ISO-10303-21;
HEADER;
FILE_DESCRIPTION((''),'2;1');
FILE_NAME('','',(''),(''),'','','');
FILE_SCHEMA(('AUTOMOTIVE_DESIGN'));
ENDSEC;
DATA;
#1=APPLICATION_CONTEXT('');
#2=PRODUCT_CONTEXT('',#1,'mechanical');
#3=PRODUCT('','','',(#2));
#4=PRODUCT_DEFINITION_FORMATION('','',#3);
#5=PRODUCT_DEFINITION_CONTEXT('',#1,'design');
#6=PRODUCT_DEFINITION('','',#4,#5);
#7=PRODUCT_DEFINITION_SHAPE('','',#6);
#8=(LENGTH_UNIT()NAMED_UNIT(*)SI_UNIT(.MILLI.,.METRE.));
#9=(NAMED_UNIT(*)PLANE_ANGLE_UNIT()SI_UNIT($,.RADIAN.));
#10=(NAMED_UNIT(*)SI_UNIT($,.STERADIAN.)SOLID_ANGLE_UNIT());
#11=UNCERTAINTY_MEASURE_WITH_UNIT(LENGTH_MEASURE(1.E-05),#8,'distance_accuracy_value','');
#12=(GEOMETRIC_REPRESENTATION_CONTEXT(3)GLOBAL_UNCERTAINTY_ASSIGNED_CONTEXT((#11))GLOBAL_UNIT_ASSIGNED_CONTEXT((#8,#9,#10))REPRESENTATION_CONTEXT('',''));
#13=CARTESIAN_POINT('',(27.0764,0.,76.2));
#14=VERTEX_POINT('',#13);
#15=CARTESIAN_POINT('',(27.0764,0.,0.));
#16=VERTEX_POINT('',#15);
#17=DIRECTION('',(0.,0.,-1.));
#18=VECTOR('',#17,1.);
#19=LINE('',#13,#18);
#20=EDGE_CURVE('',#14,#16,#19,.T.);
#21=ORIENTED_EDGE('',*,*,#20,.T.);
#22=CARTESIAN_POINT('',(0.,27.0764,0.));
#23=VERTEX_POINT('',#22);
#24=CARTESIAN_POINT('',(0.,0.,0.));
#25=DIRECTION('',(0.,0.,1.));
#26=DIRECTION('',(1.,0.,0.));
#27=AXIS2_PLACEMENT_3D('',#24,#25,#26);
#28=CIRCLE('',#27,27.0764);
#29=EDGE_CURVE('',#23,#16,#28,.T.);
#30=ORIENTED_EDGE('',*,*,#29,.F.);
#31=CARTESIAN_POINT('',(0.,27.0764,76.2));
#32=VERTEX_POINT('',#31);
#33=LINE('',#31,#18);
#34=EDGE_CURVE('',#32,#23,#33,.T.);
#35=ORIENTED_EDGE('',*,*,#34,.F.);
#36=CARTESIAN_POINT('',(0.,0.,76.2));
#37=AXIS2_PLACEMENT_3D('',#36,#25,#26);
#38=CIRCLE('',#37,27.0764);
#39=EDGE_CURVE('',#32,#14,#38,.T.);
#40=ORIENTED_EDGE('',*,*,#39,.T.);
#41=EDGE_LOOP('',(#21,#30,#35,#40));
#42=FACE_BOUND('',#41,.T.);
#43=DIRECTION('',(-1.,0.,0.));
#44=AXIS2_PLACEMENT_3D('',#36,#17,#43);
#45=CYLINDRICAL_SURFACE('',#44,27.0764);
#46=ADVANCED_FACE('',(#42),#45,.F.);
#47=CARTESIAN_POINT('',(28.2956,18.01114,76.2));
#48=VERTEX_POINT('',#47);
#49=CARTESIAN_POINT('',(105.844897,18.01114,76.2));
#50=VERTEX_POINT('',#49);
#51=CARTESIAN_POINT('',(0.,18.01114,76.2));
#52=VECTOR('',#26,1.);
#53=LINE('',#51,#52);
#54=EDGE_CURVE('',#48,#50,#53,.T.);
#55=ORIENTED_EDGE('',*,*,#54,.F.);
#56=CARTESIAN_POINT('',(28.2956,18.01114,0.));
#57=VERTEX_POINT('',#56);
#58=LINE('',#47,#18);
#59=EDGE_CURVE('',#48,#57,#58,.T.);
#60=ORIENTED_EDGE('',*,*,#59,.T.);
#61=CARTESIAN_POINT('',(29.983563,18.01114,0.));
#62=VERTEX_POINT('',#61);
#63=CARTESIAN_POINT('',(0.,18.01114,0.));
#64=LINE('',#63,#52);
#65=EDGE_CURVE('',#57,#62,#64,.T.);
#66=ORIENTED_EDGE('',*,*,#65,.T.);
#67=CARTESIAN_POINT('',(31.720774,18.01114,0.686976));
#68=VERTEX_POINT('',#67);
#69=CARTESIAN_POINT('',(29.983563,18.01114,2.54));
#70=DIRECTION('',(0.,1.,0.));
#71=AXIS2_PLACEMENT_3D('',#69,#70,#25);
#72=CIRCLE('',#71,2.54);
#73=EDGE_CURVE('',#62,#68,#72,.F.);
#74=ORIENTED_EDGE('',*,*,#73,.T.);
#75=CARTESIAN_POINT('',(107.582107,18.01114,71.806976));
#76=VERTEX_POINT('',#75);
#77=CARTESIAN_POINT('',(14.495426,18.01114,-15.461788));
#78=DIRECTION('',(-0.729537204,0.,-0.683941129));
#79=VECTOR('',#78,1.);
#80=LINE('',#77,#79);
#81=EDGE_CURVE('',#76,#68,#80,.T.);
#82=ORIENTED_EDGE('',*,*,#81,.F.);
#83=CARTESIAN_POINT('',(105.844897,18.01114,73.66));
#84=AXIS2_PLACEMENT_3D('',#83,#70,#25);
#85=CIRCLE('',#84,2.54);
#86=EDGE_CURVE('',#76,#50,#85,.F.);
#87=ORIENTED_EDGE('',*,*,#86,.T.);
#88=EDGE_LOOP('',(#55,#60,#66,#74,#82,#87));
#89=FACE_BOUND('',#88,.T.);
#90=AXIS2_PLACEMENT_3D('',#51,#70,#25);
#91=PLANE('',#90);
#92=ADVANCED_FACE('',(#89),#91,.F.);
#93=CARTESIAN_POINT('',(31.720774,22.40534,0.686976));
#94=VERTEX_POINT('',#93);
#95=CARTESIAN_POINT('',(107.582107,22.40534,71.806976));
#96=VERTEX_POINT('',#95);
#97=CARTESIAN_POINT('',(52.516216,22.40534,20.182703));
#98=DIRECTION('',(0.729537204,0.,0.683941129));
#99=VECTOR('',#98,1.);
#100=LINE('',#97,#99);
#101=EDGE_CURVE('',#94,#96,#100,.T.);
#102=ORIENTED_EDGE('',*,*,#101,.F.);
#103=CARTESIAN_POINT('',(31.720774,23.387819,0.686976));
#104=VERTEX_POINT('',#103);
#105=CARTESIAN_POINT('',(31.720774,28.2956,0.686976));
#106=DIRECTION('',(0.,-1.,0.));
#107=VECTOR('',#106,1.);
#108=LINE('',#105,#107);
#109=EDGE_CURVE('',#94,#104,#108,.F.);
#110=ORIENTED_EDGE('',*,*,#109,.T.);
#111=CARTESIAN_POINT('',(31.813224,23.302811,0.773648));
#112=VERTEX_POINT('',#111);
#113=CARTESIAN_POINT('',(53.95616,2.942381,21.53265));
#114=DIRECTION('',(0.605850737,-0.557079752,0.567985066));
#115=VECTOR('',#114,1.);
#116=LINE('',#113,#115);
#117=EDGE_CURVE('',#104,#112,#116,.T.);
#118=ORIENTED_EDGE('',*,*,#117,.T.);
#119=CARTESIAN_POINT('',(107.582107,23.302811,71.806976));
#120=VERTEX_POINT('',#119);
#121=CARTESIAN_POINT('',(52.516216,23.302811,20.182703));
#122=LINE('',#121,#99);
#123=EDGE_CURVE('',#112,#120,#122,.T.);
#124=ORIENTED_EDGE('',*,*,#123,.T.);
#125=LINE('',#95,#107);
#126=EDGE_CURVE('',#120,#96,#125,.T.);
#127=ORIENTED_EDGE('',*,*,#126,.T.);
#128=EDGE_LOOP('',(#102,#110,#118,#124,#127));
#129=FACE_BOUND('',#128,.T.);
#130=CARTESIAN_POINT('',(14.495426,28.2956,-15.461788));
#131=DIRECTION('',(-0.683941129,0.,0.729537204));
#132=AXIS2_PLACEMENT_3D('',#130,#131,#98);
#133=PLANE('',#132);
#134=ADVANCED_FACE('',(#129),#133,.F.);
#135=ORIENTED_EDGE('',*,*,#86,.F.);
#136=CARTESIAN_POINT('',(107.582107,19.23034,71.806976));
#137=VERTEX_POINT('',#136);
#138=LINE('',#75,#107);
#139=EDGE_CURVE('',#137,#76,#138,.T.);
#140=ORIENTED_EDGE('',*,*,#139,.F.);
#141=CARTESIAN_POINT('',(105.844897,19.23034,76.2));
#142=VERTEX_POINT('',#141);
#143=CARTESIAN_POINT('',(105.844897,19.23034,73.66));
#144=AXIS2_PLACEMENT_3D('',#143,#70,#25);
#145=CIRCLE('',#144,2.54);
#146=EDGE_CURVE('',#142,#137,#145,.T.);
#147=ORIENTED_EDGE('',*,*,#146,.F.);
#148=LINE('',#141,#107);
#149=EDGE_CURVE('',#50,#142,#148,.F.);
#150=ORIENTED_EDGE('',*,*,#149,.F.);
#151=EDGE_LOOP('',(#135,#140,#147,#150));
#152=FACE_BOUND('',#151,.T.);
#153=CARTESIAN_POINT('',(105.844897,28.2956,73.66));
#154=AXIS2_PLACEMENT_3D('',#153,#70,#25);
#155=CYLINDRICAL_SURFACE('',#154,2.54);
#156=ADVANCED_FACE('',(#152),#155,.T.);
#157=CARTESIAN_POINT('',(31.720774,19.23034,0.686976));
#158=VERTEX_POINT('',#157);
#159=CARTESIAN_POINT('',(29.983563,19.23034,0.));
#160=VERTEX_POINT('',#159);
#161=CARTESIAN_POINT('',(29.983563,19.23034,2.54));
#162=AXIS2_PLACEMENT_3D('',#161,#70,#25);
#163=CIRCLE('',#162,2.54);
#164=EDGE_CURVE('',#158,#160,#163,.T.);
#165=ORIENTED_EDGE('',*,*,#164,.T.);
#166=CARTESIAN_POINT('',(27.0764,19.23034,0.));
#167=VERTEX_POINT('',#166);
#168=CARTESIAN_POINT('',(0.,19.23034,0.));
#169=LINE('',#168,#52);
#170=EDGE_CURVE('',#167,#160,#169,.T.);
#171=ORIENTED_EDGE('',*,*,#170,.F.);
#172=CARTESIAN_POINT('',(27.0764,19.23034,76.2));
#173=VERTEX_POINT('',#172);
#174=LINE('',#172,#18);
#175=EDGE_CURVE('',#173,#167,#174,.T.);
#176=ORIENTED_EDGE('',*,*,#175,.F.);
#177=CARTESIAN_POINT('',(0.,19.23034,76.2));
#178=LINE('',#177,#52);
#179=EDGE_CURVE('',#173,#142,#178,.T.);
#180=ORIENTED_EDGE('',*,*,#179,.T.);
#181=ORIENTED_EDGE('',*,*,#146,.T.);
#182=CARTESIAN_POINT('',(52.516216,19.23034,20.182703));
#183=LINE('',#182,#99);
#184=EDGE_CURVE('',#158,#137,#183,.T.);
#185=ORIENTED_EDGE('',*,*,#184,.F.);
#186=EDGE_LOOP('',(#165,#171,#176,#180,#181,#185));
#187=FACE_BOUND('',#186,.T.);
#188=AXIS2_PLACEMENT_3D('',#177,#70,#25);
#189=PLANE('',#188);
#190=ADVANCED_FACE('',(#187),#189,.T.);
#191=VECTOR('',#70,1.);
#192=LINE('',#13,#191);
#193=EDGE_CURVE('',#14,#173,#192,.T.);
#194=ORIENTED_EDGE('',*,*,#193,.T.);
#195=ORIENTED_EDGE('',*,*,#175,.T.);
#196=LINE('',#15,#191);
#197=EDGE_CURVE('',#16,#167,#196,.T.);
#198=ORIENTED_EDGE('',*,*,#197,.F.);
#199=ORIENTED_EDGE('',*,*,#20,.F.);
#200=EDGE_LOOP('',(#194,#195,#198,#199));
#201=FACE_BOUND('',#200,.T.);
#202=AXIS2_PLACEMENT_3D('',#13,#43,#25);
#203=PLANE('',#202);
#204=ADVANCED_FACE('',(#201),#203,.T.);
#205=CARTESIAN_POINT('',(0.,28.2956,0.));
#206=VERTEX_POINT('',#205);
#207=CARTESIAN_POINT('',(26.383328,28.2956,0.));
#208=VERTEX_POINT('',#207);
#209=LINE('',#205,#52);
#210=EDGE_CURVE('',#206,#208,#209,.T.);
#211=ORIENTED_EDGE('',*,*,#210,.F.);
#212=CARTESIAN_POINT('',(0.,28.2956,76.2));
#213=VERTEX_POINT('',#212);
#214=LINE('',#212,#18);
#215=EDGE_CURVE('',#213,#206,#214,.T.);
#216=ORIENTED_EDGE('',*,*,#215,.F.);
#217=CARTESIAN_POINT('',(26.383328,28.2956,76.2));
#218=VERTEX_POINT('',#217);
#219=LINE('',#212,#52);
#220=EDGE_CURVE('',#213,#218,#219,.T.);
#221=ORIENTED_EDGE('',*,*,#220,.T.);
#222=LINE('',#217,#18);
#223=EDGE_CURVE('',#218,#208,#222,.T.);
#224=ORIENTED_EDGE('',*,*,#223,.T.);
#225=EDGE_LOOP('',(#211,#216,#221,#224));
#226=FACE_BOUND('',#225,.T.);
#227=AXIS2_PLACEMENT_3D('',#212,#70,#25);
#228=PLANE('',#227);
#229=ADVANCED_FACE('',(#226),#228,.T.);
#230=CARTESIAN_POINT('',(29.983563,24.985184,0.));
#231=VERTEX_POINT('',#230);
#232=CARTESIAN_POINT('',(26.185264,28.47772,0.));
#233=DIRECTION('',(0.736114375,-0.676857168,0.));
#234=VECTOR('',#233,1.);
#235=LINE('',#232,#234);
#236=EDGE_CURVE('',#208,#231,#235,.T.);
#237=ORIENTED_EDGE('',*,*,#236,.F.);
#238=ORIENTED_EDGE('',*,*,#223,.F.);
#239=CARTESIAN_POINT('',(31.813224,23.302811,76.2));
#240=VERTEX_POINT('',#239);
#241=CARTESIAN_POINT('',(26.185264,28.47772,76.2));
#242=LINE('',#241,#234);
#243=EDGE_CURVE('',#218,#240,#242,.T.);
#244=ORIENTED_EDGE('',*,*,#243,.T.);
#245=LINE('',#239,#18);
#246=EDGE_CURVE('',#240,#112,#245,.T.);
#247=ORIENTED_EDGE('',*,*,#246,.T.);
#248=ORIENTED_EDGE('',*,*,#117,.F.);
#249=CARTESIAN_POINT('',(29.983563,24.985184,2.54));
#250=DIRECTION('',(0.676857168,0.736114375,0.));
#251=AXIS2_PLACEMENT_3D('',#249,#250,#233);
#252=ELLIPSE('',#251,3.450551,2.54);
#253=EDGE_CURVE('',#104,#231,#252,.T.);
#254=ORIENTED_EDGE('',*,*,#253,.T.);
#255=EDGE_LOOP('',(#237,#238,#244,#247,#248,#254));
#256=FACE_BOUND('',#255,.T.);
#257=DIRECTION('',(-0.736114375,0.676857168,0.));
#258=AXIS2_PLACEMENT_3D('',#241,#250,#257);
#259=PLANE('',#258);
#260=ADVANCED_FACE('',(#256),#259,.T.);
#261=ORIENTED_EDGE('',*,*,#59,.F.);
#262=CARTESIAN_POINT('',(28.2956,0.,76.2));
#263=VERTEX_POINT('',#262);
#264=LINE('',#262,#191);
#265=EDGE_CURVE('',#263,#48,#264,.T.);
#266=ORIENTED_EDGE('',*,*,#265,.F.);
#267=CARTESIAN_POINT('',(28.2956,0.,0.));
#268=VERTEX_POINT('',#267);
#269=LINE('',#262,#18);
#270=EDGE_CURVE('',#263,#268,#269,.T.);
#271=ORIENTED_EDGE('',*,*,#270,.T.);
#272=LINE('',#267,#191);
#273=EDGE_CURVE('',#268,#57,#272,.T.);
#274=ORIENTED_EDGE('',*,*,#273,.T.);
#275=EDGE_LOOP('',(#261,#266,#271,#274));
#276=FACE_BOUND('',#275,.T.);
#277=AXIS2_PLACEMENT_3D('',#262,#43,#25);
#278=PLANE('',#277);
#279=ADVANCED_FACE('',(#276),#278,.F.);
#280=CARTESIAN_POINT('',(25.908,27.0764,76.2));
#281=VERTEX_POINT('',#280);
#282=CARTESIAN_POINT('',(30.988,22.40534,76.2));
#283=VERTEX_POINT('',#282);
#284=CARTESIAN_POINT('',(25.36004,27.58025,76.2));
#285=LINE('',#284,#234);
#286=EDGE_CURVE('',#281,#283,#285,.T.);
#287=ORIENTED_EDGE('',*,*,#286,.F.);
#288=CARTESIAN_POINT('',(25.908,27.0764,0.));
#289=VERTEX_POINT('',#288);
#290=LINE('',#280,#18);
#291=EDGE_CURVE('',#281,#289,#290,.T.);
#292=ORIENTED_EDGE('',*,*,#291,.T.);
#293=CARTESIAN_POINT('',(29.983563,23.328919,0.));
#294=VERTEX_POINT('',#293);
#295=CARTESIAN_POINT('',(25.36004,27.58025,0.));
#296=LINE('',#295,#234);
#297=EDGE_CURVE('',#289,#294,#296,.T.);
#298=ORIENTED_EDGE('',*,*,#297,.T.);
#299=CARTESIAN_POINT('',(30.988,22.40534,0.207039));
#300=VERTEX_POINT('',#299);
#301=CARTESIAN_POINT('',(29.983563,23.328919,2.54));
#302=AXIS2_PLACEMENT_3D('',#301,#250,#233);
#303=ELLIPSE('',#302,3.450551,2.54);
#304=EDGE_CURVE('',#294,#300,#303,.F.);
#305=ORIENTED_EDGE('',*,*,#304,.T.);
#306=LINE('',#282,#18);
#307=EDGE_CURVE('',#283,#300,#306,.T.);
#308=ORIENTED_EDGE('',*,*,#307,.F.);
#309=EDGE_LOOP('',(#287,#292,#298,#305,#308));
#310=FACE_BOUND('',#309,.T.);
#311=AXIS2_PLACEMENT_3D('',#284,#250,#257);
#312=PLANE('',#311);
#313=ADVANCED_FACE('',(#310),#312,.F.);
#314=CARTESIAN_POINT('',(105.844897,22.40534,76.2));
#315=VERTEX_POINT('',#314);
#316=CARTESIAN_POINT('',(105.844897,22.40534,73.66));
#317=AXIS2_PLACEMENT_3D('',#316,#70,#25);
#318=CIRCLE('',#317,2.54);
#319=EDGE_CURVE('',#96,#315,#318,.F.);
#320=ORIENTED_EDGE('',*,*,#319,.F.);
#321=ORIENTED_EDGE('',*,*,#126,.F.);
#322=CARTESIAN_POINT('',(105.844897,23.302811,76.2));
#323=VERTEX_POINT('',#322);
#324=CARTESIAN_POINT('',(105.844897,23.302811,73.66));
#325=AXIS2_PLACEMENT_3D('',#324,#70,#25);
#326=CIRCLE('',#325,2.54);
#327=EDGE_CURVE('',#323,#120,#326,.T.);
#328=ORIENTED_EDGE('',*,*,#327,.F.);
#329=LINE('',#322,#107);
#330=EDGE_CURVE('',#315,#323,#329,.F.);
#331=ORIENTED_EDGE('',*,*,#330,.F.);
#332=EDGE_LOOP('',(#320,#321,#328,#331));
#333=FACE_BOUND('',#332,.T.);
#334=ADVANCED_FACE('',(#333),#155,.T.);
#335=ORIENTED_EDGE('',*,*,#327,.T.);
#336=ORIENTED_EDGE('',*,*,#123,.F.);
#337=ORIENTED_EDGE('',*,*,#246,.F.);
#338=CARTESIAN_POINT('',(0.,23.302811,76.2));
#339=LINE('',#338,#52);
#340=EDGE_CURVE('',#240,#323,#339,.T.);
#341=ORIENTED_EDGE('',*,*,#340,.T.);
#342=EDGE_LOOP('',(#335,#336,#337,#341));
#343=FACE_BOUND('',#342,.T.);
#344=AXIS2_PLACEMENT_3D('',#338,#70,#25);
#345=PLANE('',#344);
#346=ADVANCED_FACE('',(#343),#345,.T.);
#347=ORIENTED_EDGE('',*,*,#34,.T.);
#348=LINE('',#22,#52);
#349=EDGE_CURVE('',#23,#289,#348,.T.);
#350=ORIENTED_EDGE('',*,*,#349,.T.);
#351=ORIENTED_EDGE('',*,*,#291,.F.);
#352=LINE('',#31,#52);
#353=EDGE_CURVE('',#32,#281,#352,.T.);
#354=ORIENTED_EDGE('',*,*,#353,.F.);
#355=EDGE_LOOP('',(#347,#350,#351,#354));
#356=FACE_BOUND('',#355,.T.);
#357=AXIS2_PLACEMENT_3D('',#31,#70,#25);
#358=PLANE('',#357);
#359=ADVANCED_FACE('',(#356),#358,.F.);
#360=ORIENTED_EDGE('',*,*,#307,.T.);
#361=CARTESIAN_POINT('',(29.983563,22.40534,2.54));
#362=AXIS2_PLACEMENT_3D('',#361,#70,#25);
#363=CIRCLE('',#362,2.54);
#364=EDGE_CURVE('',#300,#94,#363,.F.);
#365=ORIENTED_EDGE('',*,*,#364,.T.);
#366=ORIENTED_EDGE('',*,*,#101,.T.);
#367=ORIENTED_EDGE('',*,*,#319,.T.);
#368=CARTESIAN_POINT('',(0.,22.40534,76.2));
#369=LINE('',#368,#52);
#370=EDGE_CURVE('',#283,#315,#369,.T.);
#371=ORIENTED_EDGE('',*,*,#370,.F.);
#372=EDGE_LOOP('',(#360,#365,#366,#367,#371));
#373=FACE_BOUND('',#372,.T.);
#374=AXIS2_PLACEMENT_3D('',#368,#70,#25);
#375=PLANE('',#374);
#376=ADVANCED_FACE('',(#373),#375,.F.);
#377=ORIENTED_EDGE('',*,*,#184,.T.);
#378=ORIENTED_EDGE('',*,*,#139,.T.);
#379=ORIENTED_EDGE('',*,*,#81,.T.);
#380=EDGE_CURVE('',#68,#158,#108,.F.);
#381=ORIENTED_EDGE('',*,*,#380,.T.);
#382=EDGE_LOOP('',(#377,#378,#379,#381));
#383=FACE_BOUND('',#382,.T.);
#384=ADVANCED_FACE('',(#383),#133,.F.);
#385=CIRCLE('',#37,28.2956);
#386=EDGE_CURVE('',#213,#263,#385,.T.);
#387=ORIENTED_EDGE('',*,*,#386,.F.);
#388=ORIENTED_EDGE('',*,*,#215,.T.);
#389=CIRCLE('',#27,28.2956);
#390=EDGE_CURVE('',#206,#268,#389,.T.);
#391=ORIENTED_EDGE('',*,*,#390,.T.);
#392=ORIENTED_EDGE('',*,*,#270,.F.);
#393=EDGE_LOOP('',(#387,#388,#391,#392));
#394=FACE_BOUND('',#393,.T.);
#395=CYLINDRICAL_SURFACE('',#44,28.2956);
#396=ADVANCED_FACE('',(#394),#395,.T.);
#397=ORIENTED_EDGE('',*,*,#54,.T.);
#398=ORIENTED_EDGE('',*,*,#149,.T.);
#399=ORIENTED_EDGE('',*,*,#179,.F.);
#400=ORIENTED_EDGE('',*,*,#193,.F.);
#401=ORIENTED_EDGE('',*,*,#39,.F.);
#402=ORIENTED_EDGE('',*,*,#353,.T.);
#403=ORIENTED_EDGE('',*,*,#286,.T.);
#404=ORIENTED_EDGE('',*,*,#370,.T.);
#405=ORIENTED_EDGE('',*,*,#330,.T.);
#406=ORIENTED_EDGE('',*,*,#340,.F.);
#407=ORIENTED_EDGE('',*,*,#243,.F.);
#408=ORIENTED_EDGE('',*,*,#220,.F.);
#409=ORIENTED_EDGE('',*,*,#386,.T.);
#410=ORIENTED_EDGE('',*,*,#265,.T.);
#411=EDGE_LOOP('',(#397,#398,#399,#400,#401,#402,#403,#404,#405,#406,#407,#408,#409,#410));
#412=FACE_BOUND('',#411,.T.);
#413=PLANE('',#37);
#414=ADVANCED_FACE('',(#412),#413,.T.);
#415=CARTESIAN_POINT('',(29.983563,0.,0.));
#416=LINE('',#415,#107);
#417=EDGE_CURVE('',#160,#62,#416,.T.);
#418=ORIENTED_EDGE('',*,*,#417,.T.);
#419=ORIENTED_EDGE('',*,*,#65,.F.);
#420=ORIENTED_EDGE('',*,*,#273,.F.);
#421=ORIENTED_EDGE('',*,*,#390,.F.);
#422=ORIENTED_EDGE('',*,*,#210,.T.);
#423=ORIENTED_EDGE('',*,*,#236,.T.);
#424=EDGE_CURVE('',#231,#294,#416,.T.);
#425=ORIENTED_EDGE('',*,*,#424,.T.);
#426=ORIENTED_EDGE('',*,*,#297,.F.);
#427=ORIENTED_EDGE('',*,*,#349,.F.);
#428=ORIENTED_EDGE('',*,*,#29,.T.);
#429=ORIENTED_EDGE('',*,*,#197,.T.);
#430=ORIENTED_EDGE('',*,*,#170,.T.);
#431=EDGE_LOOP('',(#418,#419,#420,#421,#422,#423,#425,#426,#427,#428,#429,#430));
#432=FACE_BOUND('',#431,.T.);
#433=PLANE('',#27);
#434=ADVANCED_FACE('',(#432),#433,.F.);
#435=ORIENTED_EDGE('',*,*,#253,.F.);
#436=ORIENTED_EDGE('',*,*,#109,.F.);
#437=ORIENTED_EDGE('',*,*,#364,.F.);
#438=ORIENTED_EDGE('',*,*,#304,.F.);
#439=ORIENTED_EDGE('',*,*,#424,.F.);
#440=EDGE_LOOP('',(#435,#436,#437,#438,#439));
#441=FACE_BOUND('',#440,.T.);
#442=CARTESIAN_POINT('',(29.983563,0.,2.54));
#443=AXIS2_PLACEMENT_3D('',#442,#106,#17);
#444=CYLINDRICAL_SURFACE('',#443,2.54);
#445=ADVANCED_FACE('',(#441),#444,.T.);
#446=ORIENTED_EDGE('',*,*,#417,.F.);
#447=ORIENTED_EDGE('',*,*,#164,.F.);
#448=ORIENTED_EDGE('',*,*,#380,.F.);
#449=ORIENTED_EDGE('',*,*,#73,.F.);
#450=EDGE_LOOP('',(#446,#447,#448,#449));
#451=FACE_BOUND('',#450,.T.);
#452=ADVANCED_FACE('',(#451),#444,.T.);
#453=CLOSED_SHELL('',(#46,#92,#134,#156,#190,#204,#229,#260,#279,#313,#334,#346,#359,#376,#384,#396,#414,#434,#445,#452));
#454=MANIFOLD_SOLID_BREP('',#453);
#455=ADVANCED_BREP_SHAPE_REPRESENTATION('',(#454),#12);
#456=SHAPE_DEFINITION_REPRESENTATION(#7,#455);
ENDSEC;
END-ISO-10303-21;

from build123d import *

# Parameters (mm, degrees)
BOSS_EXTRUDE1_DEPTH = 76.2
CUT_EXTRUDE1_DEPTH  = 144.369655065
FILLET1_R           = 2.54


with BuildPart() as part:
    # Sketch2 → Boss-Extrude1 (new body)
    with BuildSketch(Plane.XY):
        Polygon((31.81322426, 23.302810647), (30.988, 24.061604353), (30.988, 22.40534), (112.268, 22.40534), (112.268, 23.302810647), align=None)
        with BuildLine():
            Line((30.988, 22.40534), (30.988, 24.061604353))
            Line((30.988, 24.061604353), (26.38332828, 28.2956))
            Line((26.38332828, 28.2956), (0, 28.2956))
            ThreePointArc((0, 28.2956), (-20.008010638, -20.008010638), (28.2956, 0))
            Line((28.2956, 0), (28.2956, 18.01114))
            Line((28.2956, 18.01114), (112.268, 18.01114))
            Line((112.268, 18.01114), (112.268, 19.23034))
            Line((112.268, 19.23034), (30.988, 19.23034))
            Line((30.988, 19.23034), (27.0764, 19.23034))
            Line((27.0764, 19.23034), (27.0764, 0))
            ThreePointArc((27.0764, 0), (-19.14590605, -19.14590605), (0, 27.0764))
            Line((0, 27.0764), (25.908, 27.0764))
            Line((25.908, 27.0764), (30.988, 22.40534))
        make_face()
    extrude(amount=BOSS_EXTRUDE1_DEPTH)

    # Sketch3 → Cut-Extrude1 (cut, through all)
    with BuildSketch(Plane.XZ.offset(-18.01114)):
        Polygon((112.268, 76.2), (30.988, 0), (112.268, 0), align=None)
    extrude(amount=-CUT_EXTRUDE1_DEPTH, mode=Mode.SUBTRACT)

    # Fillet1
    fillet1_edges = [part.edges().sort_by_distance(p)[0] for p in [
        (112.268, 18.62074, 76.2),
        (30.988, 18.62074, 0),
        (30.988, 23.233472177, 0),
        (112.268, 22.854075323, 76.2),
    ]]
    fillet(fillet1_edges, radius=FILLET1_R)


solid = part.part
